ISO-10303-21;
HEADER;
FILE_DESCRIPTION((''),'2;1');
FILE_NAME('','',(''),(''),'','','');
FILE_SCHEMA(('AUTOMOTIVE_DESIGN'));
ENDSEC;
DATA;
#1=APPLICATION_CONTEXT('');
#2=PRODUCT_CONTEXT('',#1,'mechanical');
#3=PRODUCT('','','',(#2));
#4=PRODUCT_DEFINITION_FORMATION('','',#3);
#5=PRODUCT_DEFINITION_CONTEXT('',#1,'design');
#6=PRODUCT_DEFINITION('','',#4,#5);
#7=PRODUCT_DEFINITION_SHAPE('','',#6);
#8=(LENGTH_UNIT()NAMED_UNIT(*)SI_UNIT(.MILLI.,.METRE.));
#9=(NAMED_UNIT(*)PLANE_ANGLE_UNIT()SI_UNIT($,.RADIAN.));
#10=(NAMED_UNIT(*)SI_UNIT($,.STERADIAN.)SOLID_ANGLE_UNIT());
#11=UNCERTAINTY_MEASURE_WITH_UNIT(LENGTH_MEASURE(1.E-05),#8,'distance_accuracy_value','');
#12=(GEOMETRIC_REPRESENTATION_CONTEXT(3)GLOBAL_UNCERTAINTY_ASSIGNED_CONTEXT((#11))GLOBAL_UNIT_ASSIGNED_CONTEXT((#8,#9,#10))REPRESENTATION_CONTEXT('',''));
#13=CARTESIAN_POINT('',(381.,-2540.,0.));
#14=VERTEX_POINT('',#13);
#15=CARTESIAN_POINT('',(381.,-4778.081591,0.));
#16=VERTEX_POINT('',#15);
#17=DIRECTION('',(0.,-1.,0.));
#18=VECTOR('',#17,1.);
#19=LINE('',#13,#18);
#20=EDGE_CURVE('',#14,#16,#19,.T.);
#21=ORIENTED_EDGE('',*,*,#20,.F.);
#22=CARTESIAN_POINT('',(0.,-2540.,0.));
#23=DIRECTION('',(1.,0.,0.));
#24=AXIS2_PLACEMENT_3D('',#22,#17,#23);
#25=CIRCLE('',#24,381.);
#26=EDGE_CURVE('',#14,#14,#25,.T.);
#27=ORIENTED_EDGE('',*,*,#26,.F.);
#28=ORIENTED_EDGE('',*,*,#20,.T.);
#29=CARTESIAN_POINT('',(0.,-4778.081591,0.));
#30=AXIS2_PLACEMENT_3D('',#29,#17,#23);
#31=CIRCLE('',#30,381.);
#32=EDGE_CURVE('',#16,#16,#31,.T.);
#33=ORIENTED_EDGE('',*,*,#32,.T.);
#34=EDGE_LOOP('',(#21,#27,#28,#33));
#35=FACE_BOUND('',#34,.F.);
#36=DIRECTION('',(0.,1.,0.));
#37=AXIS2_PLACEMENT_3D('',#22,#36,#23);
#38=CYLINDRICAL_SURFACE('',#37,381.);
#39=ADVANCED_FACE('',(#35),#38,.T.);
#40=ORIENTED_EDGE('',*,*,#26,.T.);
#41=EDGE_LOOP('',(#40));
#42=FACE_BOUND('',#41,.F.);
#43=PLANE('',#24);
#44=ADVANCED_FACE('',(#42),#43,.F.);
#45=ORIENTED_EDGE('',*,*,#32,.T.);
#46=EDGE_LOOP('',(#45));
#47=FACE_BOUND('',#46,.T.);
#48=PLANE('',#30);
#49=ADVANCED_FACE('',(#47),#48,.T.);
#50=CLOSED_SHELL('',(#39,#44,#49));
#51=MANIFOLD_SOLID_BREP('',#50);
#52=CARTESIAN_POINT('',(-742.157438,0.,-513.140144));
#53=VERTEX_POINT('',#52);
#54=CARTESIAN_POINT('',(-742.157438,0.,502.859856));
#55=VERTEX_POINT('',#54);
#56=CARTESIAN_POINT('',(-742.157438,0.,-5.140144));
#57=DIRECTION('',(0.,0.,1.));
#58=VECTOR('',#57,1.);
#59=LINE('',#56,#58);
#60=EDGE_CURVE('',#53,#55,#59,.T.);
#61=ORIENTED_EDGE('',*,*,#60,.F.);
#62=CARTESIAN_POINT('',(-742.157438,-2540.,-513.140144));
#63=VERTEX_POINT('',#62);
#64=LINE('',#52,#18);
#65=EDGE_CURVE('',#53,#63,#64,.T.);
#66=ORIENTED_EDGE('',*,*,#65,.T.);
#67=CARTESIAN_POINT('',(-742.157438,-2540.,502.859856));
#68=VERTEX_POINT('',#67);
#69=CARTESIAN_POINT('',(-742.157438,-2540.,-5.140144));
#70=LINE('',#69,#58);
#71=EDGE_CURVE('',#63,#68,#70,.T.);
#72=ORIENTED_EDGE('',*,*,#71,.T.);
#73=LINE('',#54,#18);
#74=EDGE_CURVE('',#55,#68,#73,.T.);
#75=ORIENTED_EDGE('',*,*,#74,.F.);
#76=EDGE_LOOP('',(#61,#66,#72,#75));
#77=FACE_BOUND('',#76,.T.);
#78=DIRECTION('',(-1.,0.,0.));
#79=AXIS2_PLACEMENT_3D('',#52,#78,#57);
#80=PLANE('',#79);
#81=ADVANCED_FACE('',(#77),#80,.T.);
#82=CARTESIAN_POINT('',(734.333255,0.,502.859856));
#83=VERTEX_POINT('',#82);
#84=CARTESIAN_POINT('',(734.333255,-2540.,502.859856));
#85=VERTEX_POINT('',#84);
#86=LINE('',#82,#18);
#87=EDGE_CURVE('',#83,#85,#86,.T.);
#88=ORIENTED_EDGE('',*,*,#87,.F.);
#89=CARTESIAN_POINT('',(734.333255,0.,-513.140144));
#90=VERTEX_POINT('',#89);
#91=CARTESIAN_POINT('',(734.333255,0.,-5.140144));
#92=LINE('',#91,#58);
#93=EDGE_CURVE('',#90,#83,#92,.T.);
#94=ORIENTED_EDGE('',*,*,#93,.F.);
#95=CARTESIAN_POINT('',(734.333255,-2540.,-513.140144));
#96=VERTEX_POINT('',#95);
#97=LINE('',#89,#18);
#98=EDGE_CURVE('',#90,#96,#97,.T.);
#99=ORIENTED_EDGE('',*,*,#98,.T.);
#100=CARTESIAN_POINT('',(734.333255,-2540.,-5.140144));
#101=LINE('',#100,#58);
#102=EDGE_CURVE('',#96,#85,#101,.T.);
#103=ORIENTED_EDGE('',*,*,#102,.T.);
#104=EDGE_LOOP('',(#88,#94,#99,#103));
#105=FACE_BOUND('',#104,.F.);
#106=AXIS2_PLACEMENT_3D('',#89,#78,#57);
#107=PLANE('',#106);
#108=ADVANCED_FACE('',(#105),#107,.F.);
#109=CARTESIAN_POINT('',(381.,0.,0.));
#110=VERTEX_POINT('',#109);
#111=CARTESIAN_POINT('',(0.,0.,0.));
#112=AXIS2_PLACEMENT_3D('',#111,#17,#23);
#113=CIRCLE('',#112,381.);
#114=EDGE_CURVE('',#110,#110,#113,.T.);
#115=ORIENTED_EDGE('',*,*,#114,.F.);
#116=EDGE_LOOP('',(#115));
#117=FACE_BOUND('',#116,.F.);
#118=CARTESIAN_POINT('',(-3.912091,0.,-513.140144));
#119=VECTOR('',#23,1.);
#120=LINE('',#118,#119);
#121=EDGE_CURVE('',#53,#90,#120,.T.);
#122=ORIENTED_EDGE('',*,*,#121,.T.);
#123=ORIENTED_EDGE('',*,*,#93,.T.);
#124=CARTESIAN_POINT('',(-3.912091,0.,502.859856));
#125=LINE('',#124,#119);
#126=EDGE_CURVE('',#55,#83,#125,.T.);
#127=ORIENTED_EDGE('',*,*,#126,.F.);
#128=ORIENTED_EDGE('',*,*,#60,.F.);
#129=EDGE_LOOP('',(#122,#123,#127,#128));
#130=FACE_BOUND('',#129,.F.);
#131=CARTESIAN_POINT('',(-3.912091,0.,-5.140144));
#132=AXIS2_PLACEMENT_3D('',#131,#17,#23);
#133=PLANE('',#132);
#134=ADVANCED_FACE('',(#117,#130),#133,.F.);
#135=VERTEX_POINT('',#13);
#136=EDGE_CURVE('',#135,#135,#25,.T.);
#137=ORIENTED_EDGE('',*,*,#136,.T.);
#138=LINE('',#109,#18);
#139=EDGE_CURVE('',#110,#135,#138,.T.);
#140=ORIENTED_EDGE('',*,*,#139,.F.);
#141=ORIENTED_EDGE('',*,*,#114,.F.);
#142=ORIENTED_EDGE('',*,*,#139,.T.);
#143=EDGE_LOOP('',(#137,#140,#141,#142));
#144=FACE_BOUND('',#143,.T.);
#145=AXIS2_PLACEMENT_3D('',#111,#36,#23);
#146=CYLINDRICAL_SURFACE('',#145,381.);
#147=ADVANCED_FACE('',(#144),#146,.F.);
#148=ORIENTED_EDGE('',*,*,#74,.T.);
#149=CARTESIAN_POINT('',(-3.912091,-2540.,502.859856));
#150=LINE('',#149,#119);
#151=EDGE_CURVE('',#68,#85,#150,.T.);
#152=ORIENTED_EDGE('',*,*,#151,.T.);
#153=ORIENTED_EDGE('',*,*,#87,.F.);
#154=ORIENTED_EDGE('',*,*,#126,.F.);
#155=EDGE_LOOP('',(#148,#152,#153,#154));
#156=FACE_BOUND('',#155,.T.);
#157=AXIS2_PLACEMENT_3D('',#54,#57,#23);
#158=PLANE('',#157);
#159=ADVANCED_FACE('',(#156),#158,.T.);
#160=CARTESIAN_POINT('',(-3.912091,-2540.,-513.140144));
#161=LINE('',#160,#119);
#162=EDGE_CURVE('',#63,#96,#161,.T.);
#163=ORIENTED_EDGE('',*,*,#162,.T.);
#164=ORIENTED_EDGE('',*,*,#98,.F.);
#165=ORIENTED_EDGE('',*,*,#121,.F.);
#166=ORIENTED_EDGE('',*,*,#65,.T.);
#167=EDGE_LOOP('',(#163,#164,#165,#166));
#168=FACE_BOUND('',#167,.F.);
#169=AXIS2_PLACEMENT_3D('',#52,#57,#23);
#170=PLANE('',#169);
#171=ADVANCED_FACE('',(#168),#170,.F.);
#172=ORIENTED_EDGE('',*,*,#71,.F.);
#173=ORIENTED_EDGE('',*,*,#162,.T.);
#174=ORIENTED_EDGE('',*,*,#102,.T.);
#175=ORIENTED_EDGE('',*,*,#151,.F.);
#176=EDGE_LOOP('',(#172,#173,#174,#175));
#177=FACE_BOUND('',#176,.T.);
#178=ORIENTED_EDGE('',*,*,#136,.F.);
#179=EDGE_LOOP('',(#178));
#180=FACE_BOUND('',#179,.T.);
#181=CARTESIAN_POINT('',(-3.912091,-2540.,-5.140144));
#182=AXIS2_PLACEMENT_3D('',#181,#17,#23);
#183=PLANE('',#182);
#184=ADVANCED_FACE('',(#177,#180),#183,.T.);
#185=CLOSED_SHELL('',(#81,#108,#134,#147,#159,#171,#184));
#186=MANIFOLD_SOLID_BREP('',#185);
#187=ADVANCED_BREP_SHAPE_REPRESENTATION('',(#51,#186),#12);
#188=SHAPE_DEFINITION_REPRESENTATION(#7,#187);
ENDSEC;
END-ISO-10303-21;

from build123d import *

# Parameters (mm, degrees)
F0_W     = 1476.490693
F0_H     = 1016
F0_R     = 381
F1_DEPTH = 2540
F2_R     = 381
F3_DEPTH = 2238.081591


with BuildPart() as f1:
    # F0 (on Front) → F1 (new body)
    with BuildSketch(Plane.XZ):
        with Locations((-3.912091, -5.140144)):
            Rectangle(F0_W, F0_H)
        Circle(F0_R, mode=Mode.SUBTRACT)
    extrude(amount=F1_DEPTH)


with BuildPart() as f3:
    # F2 (on face) → F3 (new body)
    with BuildSketch(Plane.XZ.offset(2540)):
        Circle(F2_R)
    extrude(amount=F3_DEPTH)


solid = Compound([f1.part, f3.part])
